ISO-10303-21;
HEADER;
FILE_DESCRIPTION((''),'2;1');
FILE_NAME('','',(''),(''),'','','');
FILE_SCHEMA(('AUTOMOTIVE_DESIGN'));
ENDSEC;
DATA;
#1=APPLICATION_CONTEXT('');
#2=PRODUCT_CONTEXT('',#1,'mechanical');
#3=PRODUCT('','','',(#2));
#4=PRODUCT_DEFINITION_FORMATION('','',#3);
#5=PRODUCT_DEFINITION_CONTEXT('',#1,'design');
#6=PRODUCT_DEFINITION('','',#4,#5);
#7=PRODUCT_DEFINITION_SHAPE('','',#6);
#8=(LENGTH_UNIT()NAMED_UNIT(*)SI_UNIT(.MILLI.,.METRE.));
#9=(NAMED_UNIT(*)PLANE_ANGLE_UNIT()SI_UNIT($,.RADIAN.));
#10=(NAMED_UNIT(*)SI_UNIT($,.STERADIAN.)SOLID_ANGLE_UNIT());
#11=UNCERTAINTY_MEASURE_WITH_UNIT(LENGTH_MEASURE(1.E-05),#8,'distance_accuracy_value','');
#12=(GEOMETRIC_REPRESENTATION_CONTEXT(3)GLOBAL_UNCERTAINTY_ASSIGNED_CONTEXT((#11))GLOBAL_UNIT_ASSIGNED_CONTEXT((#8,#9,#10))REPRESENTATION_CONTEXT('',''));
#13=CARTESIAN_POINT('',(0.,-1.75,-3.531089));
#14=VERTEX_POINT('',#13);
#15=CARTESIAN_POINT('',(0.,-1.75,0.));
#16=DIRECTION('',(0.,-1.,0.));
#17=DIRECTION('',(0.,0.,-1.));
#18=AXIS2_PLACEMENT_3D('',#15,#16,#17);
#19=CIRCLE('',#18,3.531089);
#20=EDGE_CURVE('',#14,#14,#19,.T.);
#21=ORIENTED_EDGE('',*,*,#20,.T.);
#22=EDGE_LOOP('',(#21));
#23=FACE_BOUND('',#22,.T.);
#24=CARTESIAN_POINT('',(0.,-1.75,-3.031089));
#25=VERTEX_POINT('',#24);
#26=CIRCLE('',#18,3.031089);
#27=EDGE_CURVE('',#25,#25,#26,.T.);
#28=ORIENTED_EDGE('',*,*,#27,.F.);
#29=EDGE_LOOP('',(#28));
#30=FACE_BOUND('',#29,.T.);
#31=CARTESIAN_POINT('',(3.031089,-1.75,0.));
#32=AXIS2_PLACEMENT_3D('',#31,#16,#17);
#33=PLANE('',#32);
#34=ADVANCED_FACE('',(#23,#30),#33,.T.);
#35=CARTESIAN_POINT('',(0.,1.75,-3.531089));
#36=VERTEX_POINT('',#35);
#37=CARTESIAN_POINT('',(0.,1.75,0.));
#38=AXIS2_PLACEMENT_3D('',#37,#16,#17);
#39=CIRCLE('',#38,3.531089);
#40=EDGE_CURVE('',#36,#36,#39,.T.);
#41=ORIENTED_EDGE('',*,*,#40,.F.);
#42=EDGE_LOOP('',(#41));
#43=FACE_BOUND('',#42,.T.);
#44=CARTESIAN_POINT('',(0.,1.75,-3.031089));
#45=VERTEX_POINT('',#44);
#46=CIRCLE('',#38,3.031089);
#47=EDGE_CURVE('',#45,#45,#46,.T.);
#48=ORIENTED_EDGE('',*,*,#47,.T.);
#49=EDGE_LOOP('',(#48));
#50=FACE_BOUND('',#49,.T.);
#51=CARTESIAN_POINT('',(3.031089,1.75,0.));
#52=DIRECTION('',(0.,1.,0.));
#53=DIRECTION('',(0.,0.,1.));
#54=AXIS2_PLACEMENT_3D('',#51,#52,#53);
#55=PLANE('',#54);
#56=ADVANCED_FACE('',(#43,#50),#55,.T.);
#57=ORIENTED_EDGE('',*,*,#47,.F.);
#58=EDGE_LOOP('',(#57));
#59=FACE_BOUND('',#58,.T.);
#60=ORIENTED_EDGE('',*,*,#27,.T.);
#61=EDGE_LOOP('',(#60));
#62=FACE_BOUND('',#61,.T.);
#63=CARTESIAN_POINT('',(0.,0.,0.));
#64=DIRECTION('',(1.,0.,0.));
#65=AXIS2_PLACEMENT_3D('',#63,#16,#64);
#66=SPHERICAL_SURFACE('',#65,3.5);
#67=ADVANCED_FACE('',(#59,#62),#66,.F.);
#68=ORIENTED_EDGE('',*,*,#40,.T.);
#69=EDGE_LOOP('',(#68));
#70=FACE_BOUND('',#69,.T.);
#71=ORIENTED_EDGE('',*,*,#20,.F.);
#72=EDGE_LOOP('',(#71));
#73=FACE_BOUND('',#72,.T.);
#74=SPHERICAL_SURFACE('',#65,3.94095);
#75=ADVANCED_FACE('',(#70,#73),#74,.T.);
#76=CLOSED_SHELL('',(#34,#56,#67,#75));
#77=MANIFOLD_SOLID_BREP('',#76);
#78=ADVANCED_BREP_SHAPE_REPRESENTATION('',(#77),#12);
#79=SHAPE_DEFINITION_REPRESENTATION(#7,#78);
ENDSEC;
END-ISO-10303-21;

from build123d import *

# Parameters (mm, degrees)
SCALE1_SCALE = 0.25


with BuildPart() as part:
    # Sketch1 → Revolve1 (revolve)
    with BuildSketch(Plane.XY):
        with BuildLine():
            Line((12.124355653, 7), (14.124355653, 7))
            ThreePointArc((14.124355653, 7), (15.76380102, 0), (14.124355653, -7))
            Line((14.124355653, -7), (12.124355653, -7))
            ThreePointArc((12.124355653, -7), (13.522961568, -3.623466631), (14, 0))
            ThreePointArc((14, 0), (13.522961568, 3.623466631), (12.124355653, 7))
        make_face()
    revolve(axis=Axis((0, 0, 0), (0, 1, 0)))


with BuildPart() as part_1:
    # Scale1: scaled about (0, 0, 0)
    add(part.part.scale(SCALE1_SCALE))


solid = part_1.part
